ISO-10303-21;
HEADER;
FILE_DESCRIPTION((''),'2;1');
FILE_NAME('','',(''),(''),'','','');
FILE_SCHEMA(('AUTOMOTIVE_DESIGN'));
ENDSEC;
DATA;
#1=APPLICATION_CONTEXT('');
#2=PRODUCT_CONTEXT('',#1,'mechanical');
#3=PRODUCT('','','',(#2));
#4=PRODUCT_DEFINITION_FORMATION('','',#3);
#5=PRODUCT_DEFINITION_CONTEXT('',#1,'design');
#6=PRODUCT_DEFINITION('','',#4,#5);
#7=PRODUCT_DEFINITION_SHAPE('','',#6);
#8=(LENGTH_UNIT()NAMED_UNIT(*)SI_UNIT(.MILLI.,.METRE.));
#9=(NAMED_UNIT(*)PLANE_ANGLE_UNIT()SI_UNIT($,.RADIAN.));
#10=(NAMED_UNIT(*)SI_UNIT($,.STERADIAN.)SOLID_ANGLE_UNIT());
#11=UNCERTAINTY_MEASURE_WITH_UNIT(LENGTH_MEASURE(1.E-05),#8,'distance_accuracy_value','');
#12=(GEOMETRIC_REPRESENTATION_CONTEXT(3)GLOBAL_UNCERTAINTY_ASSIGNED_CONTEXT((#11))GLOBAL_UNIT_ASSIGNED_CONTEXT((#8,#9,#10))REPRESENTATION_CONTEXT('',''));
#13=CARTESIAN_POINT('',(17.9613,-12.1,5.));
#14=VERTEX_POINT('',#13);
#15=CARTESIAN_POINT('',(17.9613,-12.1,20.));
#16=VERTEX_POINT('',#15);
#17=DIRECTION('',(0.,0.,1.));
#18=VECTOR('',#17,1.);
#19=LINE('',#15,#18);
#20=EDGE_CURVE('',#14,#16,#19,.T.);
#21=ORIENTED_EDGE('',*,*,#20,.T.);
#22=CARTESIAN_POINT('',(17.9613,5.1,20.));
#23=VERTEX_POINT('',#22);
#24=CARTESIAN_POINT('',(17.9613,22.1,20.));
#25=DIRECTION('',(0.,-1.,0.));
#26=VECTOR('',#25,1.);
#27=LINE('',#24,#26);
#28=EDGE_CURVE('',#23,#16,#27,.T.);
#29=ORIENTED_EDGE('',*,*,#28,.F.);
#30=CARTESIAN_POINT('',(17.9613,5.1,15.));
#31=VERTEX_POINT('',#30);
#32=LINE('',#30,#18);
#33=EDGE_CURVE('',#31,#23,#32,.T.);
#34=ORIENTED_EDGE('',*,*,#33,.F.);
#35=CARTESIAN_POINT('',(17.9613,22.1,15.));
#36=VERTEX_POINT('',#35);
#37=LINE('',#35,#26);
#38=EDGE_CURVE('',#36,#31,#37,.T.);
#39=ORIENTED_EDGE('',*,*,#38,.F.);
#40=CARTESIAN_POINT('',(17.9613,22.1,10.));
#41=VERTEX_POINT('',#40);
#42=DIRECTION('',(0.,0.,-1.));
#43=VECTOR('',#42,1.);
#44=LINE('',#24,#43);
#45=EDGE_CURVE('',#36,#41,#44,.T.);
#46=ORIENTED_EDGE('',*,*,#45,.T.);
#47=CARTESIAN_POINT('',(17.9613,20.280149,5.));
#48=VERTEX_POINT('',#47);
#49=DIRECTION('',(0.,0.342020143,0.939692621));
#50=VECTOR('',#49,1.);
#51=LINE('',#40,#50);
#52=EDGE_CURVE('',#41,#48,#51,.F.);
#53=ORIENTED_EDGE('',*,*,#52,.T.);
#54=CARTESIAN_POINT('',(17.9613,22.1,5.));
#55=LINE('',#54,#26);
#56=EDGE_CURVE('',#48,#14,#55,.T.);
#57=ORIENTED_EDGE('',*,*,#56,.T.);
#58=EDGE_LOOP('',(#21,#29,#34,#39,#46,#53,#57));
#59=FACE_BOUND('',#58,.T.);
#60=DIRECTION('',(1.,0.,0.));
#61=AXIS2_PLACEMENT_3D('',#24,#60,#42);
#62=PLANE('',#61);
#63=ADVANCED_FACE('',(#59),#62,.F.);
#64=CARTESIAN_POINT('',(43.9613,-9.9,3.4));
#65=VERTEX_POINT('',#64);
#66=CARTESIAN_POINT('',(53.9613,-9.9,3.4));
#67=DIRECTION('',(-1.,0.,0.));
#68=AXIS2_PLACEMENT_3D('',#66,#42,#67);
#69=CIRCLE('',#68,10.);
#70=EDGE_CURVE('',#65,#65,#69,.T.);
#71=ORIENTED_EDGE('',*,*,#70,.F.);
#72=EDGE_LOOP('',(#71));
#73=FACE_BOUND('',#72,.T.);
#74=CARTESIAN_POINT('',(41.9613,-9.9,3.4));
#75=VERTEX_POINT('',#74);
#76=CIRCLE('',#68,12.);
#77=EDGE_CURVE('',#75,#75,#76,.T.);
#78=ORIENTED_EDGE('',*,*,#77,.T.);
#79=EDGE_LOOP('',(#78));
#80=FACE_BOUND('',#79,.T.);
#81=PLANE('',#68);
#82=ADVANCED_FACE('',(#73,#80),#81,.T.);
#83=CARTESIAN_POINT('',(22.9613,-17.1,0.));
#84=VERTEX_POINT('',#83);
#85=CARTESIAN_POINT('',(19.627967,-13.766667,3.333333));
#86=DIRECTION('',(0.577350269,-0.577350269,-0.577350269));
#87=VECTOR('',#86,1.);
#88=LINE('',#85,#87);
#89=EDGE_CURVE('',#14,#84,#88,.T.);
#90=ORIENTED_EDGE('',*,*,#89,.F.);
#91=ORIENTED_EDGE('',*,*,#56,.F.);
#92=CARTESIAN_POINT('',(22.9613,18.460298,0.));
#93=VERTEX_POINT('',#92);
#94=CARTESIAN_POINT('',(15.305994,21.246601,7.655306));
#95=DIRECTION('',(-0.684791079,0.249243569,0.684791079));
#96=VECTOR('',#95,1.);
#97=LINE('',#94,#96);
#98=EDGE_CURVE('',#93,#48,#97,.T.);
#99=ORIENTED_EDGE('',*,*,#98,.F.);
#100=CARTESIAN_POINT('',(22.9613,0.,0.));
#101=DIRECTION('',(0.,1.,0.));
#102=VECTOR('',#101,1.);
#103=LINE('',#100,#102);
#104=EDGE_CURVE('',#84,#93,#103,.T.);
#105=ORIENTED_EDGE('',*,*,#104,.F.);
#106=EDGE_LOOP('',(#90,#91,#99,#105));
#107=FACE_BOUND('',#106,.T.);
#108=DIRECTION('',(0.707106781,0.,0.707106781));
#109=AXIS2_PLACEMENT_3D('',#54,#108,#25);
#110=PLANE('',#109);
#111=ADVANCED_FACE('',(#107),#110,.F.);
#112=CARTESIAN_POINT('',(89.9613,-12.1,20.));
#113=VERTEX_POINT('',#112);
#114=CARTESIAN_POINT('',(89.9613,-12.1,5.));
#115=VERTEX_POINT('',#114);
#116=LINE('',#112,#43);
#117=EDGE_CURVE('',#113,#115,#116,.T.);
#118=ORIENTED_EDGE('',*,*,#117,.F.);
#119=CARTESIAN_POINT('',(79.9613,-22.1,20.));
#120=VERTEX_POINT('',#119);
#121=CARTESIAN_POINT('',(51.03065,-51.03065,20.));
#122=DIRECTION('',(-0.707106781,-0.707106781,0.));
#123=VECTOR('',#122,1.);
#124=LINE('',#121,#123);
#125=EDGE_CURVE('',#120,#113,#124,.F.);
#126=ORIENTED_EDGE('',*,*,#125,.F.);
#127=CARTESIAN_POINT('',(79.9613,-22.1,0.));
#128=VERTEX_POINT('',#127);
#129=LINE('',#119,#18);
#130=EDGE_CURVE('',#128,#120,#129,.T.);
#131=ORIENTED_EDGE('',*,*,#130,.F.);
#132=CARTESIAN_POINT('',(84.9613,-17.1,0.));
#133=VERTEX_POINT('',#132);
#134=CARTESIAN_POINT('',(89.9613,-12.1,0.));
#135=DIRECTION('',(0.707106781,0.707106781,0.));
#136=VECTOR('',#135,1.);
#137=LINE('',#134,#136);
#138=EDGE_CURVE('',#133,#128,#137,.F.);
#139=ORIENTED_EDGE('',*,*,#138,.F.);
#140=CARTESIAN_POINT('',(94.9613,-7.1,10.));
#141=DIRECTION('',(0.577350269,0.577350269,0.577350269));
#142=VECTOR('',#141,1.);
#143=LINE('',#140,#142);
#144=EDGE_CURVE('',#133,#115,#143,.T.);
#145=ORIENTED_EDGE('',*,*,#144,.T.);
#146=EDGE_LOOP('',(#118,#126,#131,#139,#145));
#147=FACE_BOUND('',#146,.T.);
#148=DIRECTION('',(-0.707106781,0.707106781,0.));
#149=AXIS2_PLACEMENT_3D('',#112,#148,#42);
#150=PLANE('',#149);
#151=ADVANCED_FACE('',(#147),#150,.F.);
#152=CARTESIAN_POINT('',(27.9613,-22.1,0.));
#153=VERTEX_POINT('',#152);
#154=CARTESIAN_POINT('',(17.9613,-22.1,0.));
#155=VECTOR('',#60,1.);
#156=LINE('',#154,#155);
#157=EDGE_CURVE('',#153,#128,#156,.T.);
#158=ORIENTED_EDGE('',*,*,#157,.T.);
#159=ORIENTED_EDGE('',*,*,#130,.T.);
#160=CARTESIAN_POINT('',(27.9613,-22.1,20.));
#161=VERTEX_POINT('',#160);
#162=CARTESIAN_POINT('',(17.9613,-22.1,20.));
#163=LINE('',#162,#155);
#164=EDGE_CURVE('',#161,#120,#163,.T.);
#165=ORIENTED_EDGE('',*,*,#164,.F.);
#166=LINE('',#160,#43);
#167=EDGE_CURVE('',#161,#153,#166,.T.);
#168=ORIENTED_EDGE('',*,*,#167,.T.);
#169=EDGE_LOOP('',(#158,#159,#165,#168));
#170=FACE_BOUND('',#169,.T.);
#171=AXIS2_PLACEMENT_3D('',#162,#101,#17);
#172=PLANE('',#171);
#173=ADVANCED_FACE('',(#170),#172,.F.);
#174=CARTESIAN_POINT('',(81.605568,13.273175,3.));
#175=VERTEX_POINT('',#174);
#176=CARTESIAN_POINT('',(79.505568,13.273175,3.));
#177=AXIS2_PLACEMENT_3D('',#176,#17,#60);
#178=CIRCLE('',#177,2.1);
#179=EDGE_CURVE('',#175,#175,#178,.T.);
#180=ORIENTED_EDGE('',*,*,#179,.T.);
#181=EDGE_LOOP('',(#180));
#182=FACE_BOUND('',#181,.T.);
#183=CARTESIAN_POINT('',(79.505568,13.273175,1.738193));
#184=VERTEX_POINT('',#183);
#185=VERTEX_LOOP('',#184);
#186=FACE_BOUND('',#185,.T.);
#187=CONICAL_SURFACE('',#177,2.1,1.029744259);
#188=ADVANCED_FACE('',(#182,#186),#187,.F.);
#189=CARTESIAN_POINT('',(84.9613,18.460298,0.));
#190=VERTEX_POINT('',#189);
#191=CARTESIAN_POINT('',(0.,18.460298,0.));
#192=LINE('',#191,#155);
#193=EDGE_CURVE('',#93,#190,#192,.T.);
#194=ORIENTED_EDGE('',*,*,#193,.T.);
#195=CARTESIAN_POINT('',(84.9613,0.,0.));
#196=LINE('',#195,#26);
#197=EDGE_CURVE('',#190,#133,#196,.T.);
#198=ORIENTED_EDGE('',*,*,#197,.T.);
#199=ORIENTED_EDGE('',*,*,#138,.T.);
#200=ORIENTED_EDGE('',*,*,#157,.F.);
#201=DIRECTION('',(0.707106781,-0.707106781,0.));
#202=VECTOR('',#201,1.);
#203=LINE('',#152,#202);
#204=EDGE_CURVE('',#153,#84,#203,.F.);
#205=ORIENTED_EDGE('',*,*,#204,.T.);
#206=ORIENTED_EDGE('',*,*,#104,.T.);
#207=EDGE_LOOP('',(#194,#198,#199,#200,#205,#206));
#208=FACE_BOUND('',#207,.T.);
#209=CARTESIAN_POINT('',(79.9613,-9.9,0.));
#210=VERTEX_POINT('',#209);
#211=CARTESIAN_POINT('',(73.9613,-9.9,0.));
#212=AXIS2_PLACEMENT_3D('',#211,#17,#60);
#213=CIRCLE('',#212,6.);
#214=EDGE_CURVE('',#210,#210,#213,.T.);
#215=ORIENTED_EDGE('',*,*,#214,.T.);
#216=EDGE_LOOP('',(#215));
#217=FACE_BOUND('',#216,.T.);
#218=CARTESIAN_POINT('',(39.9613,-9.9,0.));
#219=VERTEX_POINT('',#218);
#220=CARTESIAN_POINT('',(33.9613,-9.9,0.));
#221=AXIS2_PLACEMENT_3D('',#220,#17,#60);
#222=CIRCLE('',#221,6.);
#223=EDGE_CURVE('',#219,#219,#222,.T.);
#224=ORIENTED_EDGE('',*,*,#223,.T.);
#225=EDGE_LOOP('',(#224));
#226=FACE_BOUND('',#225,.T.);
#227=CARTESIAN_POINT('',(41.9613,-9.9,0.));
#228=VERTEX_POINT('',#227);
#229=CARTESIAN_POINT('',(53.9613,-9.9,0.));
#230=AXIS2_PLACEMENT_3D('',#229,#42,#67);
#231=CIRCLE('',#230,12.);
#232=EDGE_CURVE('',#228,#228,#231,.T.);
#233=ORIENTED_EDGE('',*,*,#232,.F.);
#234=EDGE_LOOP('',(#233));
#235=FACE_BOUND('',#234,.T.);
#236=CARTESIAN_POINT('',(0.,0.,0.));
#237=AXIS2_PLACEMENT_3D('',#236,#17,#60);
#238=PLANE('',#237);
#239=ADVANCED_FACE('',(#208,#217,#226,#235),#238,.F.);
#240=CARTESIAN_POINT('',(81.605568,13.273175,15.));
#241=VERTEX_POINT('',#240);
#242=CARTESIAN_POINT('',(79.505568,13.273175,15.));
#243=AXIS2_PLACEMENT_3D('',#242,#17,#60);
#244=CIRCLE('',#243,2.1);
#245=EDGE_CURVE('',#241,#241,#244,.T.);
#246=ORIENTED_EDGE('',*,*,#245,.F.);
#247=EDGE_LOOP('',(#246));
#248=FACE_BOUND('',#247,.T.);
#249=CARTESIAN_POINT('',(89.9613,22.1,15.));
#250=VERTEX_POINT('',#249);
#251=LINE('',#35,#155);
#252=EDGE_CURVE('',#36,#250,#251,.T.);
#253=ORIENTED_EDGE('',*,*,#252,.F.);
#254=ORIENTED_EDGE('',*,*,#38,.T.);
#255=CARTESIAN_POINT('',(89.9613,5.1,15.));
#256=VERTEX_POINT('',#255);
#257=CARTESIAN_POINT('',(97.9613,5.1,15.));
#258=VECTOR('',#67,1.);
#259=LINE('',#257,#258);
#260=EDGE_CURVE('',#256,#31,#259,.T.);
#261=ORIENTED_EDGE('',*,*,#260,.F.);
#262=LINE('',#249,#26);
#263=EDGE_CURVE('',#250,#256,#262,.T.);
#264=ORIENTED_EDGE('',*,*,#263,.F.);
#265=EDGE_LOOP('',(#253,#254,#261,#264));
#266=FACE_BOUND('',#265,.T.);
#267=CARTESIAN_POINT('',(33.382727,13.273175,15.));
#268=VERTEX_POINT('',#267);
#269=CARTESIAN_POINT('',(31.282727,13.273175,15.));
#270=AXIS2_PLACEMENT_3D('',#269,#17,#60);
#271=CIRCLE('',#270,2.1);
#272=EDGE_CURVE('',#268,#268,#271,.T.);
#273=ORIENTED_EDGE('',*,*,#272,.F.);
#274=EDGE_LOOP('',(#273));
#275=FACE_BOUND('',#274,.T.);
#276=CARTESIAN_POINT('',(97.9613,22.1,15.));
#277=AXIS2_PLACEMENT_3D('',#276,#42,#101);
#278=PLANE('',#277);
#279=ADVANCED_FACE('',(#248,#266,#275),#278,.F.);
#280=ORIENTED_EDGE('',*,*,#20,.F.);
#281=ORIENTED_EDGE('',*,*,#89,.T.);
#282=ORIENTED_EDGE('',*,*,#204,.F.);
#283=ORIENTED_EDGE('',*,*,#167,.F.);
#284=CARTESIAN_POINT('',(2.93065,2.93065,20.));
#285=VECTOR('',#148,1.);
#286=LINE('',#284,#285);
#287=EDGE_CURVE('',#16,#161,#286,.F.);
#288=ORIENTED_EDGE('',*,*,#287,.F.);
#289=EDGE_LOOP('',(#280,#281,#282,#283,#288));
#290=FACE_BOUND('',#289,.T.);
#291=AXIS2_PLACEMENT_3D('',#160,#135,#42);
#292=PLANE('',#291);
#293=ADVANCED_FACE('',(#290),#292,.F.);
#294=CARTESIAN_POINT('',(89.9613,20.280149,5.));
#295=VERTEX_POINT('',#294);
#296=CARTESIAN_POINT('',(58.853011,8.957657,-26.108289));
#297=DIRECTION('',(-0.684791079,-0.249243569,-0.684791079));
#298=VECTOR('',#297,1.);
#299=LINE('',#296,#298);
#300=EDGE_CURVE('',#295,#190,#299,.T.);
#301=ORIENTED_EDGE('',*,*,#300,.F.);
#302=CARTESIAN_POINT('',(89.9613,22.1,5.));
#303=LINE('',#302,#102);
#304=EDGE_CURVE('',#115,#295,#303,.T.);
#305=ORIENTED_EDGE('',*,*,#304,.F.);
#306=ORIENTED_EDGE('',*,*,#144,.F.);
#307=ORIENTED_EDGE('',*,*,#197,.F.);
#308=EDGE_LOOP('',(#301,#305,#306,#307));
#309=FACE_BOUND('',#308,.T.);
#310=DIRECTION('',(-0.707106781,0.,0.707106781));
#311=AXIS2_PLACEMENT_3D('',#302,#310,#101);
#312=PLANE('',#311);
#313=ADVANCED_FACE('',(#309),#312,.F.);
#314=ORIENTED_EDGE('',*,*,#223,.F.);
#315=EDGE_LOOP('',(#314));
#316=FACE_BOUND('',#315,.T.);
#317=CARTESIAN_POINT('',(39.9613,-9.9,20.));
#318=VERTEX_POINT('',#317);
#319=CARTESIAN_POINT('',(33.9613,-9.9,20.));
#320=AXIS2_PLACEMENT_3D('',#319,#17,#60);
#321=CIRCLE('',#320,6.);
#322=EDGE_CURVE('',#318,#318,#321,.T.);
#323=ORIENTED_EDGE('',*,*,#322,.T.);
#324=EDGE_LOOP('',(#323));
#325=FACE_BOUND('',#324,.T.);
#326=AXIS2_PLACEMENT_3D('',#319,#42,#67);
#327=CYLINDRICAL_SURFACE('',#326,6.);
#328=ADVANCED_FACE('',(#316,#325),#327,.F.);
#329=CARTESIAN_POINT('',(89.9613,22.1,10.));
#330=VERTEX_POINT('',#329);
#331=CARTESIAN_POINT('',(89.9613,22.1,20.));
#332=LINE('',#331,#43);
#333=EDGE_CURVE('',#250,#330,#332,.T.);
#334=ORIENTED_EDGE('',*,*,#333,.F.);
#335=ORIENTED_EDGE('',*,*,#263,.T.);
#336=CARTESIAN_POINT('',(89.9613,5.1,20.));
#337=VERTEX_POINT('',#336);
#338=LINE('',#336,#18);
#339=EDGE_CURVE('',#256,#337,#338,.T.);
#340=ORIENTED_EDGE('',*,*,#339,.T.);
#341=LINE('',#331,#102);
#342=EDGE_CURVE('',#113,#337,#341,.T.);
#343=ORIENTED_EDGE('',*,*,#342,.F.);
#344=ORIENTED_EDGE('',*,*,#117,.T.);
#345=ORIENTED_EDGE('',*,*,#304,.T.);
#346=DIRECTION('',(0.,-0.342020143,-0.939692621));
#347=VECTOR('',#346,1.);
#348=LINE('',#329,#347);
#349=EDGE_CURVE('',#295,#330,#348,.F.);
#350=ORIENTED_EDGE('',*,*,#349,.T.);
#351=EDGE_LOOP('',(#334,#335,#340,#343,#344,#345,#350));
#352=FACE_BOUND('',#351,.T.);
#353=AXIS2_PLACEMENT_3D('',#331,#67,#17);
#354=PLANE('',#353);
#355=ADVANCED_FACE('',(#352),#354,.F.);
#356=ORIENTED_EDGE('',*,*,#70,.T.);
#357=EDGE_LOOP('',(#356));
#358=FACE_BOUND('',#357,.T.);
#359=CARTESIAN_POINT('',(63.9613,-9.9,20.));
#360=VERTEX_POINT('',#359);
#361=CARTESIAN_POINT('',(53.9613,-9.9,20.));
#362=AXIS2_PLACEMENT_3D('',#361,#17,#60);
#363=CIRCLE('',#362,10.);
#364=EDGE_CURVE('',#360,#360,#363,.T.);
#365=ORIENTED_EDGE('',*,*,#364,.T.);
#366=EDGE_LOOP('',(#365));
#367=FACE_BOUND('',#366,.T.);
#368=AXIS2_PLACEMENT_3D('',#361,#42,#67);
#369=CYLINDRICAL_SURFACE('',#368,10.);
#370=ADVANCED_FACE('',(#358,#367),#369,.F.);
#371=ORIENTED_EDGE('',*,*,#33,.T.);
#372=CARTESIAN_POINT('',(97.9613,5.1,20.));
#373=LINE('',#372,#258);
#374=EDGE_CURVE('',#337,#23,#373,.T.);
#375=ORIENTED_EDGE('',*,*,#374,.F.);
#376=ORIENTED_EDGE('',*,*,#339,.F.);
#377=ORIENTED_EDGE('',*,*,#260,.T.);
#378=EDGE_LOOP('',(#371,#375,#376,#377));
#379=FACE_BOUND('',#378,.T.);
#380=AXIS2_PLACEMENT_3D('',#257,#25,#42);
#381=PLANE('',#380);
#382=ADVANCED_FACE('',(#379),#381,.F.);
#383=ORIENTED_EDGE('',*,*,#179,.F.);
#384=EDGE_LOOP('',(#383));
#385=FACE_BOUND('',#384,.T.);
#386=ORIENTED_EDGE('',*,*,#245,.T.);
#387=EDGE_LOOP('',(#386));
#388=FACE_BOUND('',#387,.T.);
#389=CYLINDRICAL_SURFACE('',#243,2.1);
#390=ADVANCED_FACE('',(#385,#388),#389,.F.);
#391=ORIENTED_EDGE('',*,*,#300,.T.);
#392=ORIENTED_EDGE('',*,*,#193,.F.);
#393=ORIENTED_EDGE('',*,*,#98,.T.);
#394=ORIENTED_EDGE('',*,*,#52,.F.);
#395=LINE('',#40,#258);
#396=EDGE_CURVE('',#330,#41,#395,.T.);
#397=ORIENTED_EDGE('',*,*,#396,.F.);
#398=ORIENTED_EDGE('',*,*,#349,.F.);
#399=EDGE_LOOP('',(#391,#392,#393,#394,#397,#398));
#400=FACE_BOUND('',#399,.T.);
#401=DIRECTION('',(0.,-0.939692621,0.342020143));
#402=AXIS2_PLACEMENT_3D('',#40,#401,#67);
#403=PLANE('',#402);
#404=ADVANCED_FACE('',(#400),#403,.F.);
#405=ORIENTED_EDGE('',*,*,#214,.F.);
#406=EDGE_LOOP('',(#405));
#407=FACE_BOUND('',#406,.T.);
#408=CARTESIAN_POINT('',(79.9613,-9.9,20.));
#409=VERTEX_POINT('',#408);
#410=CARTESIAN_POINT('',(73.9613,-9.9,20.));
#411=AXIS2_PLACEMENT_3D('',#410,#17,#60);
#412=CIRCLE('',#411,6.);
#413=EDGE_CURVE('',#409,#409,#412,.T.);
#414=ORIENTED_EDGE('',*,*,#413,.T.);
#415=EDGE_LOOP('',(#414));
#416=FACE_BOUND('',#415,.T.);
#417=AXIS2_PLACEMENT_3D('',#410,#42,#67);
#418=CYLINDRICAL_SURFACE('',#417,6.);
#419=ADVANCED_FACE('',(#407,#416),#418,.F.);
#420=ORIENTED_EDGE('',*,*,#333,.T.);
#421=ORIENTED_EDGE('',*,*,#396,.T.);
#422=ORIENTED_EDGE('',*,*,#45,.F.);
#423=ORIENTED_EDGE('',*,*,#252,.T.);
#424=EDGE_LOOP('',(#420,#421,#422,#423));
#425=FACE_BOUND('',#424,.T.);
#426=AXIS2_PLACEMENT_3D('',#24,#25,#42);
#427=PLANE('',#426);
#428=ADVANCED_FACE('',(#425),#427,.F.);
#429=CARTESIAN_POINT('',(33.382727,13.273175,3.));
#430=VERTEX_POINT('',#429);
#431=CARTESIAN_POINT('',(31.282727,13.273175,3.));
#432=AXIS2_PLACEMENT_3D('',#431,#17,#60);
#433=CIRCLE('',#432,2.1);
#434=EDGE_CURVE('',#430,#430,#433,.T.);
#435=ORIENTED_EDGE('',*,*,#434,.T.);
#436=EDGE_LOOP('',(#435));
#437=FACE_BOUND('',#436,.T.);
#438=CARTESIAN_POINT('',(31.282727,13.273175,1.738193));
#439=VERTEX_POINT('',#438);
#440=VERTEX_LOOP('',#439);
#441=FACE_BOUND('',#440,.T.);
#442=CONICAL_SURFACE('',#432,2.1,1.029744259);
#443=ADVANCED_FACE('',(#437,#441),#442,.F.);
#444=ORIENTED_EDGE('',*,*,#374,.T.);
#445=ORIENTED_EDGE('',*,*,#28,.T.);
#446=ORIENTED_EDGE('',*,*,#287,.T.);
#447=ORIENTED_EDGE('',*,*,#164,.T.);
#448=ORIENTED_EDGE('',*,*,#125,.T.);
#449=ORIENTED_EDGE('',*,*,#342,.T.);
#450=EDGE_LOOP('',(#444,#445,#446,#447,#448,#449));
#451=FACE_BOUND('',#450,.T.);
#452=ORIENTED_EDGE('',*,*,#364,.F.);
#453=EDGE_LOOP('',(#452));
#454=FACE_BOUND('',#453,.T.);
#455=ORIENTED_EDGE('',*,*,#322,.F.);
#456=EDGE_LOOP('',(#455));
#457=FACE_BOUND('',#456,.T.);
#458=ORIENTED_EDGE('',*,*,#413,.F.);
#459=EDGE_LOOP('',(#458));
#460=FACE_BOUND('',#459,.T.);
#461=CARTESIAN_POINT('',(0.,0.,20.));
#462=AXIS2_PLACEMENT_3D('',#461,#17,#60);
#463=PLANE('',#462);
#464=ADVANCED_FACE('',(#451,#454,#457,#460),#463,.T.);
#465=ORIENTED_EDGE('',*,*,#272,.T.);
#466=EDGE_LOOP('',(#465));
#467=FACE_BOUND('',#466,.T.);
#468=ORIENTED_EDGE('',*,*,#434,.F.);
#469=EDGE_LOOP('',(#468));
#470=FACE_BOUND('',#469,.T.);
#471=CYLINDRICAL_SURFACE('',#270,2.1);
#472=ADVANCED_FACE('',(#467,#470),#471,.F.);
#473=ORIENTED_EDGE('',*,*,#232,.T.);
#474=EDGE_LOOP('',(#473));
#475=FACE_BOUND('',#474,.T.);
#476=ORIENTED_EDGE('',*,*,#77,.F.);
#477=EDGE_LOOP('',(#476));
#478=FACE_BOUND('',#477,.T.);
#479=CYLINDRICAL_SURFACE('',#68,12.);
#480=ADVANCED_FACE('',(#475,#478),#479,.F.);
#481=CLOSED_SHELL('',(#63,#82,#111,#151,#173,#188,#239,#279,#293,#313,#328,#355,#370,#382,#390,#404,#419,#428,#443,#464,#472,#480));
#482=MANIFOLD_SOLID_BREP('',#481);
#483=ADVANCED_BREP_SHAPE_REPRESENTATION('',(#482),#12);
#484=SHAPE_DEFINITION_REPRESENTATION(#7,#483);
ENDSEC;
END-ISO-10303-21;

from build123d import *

# Parameters (mm, degrees)
SKIZZE1_W                       = 72
SKIZZE1_H                       = 44.2
SKIZZE1_R                       = 10
SKIZZE1_R_2                     = 6
AUFSATZ_LINEAR_AUSTRAGEN1_DEPTH = 20
FASE1_SIZE                      = 10
FASE2_SIZE                      = 10
FASE6_SIZE                      = 10
FASE6_SIZE2                     = 3.639702343
FASE7_SIZE                      = 5
SKIZZE3_W                       = 5
SKIZZE3_H                       = 17
SCHNITT_LINEAR_AUSTRAGEN1_DEPTH = 80
SKIZZE11_R                      = 12
SCHNITT_LINEAR_AUSTRAGEN2_DEPTH = 3.4
M5_GEWINDEBOHRUNG1_D            = 4.2
M5_GEWINDEBOHRUNG1_DEPTH        = 12
M5_GEWINDEBOHRUNG1_TIP          = 1.2618073


with BuildPart() as part:
    # Skizze1 → Aufsatz-Linear austragen1 (new body)
    with BuildSketch(Plane.XY):
        with Locations((53.961300324, 0)):
            Rectangle(SKIZZE1_W, SKIZZE1_H)
        with Locations((53.961300324, -9.9)):
            Circle(SKIZZE1_R, mode=Mode.SUBTRACT)
        with Locations((33.961300324, -9.9)):
            Circle(SKIZZE1_R_2, mode=Mode.SUBTRACT)
        with Locations((73.961300324, -9.9)):
            Circle(SKIZZE1_R_2, mode=Mode.SUBTRACT)
    extrude(amount=AUFSATZ_LINEAR_AUSTRAGEN1_DEPTH)

    # Fase1
    fase1_edges = [part.edges().sort_by_distance(p)[0] for p in [
        (17.961300324, -22.1, 10),
    ]]
    chamfer(fase1_edges, length=FASE1_SIZE)

    # Fase2
    fase2_edges = [part.edges().sort_by_distance(p)[0] for p in [
        (89.961300324, -22.1, 10),
    ]]
    chamfer(fase2_edges, length=FASE2_SIZE)

    # Fase6
    fase6_edges = [part.edges().sort_by_distance(p)[0] for p in [
        (53.961300324, 22.1, 0),
    ]]
    fase6_side = [part.faces().sort_by_distance(p)[0] for p in [
        (53.961300324, 22.1, 10),
    ]]
    chamfer(fase6_edges, length=FASE6_SIZE, length2=FASE6_SIZE2, reference=fase6_side[0])

    # Fase7
    fase7_edges = [part.edges().sort_by_distance(p)[0] for p in [
        (89.961300324, 3.180148829, 0),
        (17.961300324, 3.180148829, 0),
    ]]
    chamfer(fase7_edges, length=FASE7_SIZE)

    # Skizze3 → Schnitt-Linear austragen1 (cut)
    with BuildSketch(Plane.ZY.offset(-17.961300324)):
        with Locations((17.5, 13.6)):
            Rectangle(SKIZZE3_W, SKIZZE3_H)
    extrude(amount=-SCHNITT_LINEAR_AUSTRAGEN1_DEPTH, mode=Mode.SUBTRACT)

    # Skizze11 → Schnitt-Linear austragen2 (cut)
    with BuildSketch(Plane(origin=(0, 0, 0), x_dir=(-1, 0, 0), z_dir=(0, 0, -1))):
        with Locations((-53.961300324, -9.9)):
            Circle(SKIZZE11_R)
    extrude(amount=-SCHNITT_LINEAR_AUSTRAGEN2_DEPTH, mode=Mode.SUBTRACT)

    # M5 Gewindebohrung1
    with Locations(Plane.XY.offset(15)):
        with Locations((31.282727226, 13.273175205), (79.505567547, 13.273175205)):
            Hole(M5_GEWINDEBOHRUNG1_D / 2, depth=M5_GEWINDEBOHRUNG1_DEPTH)
            with Locations((0, 0, -(M5_GEWINDEBOHRUNG1_DEPTH + M5_GEWINDEBOHRUNG1_TIP / 2))):  # 118° drill point
                Cone(0, M5_GEWINDEBOHRUNG1_D / 2, M5_GEWINDEBOHRUNG1_TIP, mode=Mode.SUBTRACT)


solid = part.part
